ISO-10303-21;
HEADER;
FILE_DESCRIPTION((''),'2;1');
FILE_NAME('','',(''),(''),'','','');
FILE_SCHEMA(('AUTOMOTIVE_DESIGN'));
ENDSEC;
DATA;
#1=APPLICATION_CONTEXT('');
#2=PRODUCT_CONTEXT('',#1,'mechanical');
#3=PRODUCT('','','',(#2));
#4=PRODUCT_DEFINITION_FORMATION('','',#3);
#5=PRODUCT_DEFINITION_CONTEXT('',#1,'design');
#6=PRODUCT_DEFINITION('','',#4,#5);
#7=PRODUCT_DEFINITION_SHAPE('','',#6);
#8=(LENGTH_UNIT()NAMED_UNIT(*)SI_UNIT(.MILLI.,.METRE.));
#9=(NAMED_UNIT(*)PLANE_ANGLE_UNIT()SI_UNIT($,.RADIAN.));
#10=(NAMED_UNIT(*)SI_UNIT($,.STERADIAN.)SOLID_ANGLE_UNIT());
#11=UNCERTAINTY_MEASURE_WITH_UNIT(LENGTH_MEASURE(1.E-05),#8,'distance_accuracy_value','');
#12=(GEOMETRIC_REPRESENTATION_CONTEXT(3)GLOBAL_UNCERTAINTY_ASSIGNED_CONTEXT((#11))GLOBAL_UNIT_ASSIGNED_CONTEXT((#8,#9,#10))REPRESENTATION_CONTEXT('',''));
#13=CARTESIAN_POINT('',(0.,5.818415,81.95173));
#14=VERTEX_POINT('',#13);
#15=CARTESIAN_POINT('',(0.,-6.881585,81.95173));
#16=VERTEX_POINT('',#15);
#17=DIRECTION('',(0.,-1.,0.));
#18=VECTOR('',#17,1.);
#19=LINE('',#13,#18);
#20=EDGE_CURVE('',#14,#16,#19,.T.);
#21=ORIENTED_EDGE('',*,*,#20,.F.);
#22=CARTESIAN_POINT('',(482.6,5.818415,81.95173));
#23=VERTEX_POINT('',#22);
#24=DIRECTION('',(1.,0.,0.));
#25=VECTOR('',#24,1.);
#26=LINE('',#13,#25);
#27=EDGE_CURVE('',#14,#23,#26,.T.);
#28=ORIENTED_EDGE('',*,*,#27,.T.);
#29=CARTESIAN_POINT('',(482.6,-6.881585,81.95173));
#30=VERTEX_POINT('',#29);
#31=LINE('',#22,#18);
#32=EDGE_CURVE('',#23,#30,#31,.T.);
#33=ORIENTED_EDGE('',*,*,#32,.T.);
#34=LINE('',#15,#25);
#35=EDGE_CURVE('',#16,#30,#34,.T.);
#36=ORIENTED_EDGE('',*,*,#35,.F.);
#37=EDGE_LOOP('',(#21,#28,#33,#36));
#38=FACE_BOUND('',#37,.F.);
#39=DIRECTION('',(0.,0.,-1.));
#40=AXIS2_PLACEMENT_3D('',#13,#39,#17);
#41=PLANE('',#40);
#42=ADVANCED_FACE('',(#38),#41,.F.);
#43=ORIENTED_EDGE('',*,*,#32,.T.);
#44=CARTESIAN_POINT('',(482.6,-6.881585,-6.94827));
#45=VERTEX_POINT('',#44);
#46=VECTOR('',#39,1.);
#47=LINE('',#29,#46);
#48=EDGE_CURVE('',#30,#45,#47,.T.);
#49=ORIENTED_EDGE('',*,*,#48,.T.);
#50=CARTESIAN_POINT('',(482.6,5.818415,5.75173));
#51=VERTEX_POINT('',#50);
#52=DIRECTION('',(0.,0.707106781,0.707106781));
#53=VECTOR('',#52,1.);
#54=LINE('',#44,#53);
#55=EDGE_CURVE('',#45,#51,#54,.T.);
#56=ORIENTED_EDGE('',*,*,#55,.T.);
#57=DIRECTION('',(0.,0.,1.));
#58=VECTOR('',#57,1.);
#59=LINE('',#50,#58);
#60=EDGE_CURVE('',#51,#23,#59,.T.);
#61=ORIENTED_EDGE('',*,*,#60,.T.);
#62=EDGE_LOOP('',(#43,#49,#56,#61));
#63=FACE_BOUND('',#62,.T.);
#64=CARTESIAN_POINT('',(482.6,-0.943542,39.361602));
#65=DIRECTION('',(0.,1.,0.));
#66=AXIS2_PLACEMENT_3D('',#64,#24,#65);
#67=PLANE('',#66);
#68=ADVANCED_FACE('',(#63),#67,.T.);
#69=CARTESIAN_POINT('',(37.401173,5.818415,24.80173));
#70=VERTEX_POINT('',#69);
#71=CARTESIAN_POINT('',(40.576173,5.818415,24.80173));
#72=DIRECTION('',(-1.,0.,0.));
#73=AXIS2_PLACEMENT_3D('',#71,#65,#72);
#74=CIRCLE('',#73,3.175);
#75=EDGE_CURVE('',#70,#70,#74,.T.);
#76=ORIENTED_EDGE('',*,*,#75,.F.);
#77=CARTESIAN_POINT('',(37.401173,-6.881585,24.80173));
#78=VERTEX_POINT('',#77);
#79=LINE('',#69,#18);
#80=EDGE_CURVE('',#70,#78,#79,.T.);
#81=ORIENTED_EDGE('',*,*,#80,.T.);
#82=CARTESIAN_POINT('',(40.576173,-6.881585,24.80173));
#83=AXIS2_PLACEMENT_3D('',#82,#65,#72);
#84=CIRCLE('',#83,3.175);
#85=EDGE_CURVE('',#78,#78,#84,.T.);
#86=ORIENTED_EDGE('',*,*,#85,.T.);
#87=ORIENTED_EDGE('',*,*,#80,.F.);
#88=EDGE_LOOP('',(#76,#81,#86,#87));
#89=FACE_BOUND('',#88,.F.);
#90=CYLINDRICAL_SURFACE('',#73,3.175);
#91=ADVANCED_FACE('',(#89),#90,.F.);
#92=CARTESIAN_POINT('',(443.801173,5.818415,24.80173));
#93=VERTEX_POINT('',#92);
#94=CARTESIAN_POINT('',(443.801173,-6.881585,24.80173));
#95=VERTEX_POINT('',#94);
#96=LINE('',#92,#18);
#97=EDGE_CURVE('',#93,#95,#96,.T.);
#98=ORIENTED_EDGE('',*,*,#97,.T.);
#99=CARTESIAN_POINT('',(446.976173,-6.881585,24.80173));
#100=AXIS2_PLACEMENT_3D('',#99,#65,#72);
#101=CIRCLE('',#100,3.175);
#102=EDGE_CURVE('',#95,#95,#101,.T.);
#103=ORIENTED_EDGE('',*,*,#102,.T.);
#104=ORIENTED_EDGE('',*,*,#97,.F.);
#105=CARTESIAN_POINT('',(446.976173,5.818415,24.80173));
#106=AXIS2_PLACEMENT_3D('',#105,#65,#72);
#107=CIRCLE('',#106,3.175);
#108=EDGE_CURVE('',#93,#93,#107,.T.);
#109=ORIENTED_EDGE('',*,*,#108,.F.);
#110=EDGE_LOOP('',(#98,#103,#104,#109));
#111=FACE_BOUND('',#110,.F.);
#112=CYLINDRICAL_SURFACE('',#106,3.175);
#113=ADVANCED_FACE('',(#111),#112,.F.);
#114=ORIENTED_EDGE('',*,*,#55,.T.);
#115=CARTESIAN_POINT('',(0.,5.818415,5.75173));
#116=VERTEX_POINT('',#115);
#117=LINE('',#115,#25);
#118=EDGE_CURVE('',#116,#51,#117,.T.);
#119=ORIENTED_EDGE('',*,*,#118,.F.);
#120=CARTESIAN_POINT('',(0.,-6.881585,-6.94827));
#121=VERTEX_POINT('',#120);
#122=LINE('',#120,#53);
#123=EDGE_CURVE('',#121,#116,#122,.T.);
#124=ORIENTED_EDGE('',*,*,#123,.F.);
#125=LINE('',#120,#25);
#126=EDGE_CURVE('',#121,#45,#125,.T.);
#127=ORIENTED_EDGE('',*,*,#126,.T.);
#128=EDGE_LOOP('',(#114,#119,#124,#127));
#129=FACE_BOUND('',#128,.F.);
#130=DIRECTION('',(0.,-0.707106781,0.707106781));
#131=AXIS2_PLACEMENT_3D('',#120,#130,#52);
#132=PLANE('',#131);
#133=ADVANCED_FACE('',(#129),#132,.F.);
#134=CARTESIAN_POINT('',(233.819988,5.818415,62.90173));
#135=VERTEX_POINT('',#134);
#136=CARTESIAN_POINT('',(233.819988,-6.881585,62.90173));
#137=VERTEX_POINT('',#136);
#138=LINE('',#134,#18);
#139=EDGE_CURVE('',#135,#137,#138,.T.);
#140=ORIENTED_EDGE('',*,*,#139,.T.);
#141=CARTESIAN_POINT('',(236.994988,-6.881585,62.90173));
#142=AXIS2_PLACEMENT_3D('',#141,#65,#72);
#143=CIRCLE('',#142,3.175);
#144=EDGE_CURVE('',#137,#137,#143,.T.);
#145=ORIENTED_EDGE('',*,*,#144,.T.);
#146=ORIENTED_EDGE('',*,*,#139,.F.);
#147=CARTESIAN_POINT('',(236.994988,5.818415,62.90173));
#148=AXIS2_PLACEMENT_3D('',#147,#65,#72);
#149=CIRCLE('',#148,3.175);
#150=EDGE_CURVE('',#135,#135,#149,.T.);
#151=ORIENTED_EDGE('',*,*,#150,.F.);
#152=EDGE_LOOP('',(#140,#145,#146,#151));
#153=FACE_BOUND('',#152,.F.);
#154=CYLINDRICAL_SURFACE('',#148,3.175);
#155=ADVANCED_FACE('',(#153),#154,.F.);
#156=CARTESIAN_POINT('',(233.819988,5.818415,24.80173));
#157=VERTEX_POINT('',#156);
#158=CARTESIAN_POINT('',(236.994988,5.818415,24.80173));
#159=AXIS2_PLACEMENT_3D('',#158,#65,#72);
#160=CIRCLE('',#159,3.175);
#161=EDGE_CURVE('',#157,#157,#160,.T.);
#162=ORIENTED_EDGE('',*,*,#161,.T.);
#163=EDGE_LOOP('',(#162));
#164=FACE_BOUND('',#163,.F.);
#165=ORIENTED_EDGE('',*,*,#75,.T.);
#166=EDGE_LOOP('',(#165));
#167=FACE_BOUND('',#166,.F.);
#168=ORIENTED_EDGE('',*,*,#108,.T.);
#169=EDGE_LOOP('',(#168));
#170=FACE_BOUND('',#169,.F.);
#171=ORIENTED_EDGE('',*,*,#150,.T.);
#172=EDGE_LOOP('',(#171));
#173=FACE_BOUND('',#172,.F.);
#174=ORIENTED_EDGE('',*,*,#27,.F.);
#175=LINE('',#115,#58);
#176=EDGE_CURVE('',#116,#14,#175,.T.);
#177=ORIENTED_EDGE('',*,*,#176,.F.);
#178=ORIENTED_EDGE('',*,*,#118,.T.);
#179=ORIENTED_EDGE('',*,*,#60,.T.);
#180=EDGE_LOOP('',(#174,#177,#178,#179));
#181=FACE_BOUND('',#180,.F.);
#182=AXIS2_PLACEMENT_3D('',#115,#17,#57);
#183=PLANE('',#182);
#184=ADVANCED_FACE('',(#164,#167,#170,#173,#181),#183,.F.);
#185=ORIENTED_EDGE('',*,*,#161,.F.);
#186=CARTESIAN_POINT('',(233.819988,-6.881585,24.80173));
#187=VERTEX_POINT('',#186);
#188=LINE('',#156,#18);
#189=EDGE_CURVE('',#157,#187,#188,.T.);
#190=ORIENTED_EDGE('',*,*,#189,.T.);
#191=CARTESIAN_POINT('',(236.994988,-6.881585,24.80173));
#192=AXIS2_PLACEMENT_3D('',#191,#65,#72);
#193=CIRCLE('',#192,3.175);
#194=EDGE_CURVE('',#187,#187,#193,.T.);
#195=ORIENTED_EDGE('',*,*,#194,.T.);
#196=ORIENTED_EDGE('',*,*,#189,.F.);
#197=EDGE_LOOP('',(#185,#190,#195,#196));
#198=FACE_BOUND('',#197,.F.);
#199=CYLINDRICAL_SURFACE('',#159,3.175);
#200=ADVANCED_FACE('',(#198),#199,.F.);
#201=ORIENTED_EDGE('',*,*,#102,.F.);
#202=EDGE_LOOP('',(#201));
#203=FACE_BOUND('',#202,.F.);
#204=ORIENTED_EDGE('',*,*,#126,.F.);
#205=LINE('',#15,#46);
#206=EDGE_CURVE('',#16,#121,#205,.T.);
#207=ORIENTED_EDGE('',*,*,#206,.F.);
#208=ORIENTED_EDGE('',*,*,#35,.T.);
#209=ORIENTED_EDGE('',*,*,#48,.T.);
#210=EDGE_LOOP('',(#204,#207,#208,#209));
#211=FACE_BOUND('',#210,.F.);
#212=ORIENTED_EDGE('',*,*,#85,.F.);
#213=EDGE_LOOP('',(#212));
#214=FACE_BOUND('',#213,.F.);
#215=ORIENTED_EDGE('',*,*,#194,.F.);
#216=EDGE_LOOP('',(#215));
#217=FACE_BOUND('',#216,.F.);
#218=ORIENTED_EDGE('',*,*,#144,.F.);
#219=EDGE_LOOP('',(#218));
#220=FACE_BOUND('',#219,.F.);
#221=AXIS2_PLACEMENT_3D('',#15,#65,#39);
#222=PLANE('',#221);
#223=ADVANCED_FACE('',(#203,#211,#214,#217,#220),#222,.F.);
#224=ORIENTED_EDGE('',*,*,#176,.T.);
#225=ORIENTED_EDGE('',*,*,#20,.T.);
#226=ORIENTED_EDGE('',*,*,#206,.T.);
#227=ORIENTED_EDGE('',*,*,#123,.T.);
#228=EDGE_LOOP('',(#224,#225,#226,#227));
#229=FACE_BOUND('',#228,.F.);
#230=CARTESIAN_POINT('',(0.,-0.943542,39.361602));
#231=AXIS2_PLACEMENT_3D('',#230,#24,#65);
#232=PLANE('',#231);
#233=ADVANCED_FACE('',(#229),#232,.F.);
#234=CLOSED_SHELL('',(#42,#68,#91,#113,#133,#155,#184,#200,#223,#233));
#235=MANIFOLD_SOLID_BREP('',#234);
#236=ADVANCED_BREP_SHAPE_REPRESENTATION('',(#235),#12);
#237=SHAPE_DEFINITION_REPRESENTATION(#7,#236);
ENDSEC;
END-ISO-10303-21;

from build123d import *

# Parameters (mm, degrees)
F1_DEPTH = 482.6
F2_R     = 3.175
F3_DEPTH = 12.7


with BuildPart() as f1:
    # F0 (on Right) → F1 (new body)
    with BuildSketch(Plane.YZ):
        Polygon((5.818415, 81.95173), (-6.881585, 81.95173), (-6.881585, -6.94827), (5.818415, 5.75173), align=None)
    extrude(amount=F1_DEPTH)

    # F2 (on face) → F3 (cut)
    with BuildSketch(Plane(origin=(0, 5.818415, 0), x_dir=(-1, 0, 0), z_dir=(0, 1, 0))):
        with Locations((-40.576173, 24.80173)):
            Circle(F2_R)
        with Locations((-236.994988, 24.80173)):
            Circle(F2_R)
        with Locations((-236.994988, 62.90173)):
            Circle(F2_R)
        with Locations((-446.976173, 24.80173)):
            Circle(F2_R)
    extrude(amount=-F3_DEPTH, mode=Mode.SUBTRACT)


solid = f1.part
